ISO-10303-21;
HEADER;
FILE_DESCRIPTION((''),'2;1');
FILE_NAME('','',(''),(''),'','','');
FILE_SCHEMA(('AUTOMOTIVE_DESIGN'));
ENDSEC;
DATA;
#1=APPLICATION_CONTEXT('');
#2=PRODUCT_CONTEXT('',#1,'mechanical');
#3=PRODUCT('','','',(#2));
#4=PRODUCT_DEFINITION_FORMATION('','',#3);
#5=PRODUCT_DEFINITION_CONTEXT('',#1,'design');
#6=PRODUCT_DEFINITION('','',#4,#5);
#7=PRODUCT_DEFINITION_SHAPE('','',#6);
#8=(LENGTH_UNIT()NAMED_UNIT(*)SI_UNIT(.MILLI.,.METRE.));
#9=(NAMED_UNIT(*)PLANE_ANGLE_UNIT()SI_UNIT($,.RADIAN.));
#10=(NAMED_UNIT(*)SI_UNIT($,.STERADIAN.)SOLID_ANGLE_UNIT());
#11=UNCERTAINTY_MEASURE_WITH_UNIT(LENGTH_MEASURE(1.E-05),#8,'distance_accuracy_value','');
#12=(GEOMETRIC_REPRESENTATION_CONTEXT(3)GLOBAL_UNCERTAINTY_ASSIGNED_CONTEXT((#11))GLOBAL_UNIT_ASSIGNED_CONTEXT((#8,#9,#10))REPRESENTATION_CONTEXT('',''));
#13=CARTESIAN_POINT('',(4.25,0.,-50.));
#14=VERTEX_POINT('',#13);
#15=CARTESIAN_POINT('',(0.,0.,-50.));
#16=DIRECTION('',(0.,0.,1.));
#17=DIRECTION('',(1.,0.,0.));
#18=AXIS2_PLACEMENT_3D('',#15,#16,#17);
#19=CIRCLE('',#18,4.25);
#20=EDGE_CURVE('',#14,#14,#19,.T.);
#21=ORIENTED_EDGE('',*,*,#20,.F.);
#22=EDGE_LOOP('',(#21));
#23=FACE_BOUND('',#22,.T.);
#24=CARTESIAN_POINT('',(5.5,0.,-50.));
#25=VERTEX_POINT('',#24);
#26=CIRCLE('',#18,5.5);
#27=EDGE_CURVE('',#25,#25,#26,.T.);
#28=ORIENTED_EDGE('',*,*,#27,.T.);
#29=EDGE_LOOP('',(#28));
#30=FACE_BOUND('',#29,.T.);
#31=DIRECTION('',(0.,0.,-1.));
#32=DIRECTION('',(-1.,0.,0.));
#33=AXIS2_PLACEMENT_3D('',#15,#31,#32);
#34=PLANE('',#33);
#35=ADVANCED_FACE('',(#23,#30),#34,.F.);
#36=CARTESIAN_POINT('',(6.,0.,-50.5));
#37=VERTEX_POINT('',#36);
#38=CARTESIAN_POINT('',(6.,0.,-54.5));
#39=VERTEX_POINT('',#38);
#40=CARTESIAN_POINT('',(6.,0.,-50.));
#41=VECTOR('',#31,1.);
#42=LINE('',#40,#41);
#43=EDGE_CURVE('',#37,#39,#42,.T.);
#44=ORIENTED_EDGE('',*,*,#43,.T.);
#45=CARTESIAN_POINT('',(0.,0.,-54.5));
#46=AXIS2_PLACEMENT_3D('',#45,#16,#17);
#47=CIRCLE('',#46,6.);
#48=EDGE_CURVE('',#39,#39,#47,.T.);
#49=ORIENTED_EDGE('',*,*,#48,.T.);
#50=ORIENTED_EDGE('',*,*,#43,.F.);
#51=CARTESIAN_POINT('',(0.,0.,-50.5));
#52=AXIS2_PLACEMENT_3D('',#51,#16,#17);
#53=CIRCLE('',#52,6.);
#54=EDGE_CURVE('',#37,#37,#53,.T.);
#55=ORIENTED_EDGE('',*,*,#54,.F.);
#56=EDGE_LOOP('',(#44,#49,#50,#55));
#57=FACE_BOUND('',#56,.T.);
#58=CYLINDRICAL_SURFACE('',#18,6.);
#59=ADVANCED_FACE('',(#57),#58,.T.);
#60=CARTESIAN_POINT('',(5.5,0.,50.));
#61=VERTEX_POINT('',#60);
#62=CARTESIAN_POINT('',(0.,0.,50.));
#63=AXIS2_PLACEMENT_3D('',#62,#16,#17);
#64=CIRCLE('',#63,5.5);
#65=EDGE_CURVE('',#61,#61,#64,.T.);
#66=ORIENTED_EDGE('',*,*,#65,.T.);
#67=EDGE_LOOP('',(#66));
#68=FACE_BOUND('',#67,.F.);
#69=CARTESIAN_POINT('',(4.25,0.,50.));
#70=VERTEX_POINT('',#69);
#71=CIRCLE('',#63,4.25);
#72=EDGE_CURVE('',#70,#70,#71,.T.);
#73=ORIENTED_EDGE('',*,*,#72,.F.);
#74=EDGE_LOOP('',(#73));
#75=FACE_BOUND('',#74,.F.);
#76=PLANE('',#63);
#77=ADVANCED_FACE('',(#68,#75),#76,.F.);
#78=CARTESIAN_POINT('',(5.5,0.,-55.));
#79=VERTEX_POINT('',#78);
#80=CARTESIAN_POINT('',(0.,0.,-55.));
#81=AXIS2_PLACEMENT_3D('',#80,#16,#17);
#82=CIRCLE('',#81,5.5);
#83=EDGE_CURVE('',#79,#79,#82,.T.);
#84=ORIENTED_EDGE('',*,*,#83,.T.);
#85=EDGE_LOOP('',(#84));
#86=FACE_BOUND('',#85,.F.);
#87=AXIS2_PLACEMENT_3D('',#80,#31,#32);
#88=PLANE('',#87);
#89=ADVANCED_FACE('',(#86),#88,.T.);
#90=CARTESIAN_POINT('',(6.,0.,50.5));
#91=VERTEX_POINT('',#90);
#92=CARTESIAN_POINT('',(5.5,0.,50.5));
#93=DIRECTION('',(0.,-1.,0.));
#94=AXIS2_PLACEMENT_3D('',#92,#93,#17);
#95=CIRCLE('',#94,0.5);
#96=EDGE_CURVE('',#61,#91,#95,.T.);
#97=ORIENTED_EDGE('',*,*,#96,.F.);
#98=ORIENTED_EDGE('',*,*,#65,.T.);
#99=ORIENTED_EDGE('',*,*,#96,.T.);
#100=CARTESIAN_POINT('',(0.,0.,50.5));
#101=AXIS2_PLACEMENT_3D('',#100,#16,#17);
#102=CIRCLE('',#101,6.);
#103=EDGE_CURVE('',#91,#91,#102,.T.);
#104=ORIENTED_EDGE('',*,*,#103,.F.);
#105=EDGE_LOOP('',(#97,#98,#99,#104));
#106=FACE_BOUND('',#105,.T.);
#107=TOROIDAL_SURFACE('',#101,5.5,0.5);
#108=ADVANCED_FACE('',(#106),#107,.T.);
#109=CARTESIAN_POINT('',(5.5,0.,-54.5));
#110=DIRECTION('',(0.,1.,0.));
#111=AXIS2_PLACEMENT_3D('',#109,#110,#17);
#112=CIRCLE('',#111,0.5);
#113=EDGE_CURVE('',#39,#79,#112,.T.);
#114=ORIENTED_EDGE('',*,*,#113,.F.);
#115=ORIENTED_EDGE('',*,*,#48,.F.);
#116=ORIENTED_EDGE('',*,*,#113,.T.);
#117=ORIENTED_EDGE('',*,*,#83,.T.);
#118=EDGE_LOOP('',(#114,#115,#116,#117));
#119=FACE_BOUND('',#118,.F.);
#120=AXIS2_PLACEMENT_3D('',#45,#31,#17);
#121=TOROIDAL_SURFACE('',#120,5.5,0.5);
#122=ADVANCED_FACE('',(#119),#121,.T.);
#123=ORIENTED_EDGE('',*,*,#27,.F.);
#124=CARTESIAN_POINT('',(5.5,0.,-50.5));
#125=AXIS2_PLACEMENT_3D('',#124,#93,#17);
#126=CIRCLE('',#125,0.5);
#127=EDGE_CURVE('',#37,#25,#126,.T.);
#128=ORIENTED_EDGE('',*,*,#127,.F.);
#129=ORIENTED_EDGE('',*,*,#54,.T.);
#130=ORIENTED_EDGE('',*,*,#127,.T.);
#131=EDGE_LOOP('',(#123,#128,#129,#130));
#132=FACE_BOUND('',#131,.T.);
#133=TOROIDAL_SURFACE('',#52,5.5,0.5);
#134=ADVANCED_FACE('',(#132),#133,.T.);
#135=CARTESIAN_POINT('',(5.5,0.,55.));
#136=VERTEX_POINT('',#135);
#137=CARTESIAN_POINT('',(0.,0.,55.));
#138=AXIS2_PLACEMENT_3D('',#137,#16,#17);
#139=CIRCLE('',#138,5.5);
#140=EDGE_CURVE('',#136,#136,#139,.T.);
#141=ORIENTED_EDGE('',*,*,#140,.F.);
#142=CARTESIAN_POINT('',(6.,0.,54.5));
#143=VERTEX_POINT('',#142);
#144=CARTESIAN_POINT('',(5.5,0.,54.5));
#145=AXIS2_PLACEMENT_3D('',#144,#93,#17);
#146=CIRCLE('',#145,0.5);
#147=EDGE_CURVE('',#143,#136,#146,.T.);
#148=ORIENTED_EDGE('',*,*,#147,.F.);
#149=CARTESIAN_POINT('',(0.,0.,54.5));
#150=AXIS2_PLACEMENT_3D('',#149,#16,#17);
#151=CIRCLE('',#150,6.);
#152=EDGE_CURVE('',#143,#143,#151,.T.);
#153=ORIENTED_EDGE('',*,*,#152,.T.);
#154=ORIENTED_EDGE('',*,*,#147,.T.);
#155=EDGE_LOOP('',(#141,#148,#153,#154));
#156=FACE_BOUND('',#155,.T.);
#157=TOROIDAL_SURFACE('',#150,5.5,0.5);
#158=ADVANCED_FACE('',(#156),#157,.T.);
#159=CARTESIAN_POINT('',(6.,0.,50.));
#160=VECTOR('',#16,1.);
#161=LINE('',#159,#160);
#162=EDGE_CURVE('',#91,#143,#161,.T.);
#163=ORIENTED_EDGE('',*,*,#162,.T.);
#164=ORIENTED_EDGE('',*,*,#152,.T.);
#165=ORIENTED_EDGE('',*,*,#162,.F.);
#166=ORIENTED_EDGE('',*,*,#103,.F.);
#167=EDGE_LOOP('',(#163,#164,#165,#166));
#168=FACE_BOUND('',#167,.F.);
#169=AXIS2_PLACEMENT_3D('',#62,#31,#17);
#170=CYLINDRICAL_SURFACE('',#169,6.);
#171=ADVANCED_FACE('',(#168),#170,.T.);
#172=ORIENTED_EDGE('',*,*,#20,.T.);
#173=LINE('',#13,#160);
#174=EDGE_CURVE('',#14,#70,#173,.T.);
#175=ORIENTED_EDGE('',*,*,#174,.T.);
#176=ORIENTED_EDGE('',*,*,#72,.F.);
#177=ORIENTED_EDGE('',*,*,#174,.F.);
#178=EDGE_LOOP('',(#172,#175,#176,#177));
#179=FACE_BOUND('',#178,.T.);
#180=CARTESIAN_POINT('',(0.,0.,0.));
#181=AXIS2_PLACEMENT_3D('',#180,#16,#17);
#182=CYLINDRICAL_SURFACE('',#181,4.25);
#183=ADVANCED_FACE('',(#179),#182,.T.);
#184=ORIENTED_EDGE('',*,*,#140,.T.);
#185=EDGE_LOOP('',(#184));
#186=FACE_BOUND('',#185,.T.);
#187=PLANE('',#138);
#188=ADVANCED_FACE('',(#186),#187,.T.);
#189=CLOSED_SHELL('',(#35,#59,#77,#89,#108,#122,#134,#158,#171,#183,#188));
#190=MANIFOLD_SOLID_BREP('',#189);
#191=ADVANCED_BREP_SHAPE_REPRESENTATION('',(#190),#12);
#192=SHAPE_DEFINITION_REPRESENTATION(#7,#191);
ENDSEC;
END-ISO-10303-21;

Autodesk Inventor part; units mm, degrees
ref_plane "YZ Plane" through (0, 0, 0) normal (1, 0, 0) x (0, 1, 0)
ref_plane "XZ Plane" through (0, 0, 0) normal (0, 1, 0) x (-1, 0, 0)
ref_plane "XY Plane" through (0, 0, 0) normal (0, 0, 1) x (1, 0, 0)
sketch "Sketch1" plane through (0, 0, 0) normal (0, 0, 1) x (1, 0, 0)
  circle A0 centre (0, 0) radius 4.25
  dimension "d0" = 8.5
extrude "Extrusion1" add sketch "Sketch1" along normal mid plane 100
sketch "Sketch2" plane through (0, 0, 50) normal (0, 0, 1) x (1, 0, 0)
  circle A0 centre (0, 0) radius 6
  dimension "d3" = 12
extrude "Extrusion2" add sketch "Sketch2" along normal blind 5
mirror "Mirror1" about plane through (0, 0, 0) normal (0, 0, 1) of "Extrusion2"
fillet "Fillet1" radius 0.5 4 edges at (-6, 0, -55) (-6, 0, -50) (-6, 0, 55) (-6, 0, 50)
properties part number "Connecting rod hinge" material "Stainless Steel"
